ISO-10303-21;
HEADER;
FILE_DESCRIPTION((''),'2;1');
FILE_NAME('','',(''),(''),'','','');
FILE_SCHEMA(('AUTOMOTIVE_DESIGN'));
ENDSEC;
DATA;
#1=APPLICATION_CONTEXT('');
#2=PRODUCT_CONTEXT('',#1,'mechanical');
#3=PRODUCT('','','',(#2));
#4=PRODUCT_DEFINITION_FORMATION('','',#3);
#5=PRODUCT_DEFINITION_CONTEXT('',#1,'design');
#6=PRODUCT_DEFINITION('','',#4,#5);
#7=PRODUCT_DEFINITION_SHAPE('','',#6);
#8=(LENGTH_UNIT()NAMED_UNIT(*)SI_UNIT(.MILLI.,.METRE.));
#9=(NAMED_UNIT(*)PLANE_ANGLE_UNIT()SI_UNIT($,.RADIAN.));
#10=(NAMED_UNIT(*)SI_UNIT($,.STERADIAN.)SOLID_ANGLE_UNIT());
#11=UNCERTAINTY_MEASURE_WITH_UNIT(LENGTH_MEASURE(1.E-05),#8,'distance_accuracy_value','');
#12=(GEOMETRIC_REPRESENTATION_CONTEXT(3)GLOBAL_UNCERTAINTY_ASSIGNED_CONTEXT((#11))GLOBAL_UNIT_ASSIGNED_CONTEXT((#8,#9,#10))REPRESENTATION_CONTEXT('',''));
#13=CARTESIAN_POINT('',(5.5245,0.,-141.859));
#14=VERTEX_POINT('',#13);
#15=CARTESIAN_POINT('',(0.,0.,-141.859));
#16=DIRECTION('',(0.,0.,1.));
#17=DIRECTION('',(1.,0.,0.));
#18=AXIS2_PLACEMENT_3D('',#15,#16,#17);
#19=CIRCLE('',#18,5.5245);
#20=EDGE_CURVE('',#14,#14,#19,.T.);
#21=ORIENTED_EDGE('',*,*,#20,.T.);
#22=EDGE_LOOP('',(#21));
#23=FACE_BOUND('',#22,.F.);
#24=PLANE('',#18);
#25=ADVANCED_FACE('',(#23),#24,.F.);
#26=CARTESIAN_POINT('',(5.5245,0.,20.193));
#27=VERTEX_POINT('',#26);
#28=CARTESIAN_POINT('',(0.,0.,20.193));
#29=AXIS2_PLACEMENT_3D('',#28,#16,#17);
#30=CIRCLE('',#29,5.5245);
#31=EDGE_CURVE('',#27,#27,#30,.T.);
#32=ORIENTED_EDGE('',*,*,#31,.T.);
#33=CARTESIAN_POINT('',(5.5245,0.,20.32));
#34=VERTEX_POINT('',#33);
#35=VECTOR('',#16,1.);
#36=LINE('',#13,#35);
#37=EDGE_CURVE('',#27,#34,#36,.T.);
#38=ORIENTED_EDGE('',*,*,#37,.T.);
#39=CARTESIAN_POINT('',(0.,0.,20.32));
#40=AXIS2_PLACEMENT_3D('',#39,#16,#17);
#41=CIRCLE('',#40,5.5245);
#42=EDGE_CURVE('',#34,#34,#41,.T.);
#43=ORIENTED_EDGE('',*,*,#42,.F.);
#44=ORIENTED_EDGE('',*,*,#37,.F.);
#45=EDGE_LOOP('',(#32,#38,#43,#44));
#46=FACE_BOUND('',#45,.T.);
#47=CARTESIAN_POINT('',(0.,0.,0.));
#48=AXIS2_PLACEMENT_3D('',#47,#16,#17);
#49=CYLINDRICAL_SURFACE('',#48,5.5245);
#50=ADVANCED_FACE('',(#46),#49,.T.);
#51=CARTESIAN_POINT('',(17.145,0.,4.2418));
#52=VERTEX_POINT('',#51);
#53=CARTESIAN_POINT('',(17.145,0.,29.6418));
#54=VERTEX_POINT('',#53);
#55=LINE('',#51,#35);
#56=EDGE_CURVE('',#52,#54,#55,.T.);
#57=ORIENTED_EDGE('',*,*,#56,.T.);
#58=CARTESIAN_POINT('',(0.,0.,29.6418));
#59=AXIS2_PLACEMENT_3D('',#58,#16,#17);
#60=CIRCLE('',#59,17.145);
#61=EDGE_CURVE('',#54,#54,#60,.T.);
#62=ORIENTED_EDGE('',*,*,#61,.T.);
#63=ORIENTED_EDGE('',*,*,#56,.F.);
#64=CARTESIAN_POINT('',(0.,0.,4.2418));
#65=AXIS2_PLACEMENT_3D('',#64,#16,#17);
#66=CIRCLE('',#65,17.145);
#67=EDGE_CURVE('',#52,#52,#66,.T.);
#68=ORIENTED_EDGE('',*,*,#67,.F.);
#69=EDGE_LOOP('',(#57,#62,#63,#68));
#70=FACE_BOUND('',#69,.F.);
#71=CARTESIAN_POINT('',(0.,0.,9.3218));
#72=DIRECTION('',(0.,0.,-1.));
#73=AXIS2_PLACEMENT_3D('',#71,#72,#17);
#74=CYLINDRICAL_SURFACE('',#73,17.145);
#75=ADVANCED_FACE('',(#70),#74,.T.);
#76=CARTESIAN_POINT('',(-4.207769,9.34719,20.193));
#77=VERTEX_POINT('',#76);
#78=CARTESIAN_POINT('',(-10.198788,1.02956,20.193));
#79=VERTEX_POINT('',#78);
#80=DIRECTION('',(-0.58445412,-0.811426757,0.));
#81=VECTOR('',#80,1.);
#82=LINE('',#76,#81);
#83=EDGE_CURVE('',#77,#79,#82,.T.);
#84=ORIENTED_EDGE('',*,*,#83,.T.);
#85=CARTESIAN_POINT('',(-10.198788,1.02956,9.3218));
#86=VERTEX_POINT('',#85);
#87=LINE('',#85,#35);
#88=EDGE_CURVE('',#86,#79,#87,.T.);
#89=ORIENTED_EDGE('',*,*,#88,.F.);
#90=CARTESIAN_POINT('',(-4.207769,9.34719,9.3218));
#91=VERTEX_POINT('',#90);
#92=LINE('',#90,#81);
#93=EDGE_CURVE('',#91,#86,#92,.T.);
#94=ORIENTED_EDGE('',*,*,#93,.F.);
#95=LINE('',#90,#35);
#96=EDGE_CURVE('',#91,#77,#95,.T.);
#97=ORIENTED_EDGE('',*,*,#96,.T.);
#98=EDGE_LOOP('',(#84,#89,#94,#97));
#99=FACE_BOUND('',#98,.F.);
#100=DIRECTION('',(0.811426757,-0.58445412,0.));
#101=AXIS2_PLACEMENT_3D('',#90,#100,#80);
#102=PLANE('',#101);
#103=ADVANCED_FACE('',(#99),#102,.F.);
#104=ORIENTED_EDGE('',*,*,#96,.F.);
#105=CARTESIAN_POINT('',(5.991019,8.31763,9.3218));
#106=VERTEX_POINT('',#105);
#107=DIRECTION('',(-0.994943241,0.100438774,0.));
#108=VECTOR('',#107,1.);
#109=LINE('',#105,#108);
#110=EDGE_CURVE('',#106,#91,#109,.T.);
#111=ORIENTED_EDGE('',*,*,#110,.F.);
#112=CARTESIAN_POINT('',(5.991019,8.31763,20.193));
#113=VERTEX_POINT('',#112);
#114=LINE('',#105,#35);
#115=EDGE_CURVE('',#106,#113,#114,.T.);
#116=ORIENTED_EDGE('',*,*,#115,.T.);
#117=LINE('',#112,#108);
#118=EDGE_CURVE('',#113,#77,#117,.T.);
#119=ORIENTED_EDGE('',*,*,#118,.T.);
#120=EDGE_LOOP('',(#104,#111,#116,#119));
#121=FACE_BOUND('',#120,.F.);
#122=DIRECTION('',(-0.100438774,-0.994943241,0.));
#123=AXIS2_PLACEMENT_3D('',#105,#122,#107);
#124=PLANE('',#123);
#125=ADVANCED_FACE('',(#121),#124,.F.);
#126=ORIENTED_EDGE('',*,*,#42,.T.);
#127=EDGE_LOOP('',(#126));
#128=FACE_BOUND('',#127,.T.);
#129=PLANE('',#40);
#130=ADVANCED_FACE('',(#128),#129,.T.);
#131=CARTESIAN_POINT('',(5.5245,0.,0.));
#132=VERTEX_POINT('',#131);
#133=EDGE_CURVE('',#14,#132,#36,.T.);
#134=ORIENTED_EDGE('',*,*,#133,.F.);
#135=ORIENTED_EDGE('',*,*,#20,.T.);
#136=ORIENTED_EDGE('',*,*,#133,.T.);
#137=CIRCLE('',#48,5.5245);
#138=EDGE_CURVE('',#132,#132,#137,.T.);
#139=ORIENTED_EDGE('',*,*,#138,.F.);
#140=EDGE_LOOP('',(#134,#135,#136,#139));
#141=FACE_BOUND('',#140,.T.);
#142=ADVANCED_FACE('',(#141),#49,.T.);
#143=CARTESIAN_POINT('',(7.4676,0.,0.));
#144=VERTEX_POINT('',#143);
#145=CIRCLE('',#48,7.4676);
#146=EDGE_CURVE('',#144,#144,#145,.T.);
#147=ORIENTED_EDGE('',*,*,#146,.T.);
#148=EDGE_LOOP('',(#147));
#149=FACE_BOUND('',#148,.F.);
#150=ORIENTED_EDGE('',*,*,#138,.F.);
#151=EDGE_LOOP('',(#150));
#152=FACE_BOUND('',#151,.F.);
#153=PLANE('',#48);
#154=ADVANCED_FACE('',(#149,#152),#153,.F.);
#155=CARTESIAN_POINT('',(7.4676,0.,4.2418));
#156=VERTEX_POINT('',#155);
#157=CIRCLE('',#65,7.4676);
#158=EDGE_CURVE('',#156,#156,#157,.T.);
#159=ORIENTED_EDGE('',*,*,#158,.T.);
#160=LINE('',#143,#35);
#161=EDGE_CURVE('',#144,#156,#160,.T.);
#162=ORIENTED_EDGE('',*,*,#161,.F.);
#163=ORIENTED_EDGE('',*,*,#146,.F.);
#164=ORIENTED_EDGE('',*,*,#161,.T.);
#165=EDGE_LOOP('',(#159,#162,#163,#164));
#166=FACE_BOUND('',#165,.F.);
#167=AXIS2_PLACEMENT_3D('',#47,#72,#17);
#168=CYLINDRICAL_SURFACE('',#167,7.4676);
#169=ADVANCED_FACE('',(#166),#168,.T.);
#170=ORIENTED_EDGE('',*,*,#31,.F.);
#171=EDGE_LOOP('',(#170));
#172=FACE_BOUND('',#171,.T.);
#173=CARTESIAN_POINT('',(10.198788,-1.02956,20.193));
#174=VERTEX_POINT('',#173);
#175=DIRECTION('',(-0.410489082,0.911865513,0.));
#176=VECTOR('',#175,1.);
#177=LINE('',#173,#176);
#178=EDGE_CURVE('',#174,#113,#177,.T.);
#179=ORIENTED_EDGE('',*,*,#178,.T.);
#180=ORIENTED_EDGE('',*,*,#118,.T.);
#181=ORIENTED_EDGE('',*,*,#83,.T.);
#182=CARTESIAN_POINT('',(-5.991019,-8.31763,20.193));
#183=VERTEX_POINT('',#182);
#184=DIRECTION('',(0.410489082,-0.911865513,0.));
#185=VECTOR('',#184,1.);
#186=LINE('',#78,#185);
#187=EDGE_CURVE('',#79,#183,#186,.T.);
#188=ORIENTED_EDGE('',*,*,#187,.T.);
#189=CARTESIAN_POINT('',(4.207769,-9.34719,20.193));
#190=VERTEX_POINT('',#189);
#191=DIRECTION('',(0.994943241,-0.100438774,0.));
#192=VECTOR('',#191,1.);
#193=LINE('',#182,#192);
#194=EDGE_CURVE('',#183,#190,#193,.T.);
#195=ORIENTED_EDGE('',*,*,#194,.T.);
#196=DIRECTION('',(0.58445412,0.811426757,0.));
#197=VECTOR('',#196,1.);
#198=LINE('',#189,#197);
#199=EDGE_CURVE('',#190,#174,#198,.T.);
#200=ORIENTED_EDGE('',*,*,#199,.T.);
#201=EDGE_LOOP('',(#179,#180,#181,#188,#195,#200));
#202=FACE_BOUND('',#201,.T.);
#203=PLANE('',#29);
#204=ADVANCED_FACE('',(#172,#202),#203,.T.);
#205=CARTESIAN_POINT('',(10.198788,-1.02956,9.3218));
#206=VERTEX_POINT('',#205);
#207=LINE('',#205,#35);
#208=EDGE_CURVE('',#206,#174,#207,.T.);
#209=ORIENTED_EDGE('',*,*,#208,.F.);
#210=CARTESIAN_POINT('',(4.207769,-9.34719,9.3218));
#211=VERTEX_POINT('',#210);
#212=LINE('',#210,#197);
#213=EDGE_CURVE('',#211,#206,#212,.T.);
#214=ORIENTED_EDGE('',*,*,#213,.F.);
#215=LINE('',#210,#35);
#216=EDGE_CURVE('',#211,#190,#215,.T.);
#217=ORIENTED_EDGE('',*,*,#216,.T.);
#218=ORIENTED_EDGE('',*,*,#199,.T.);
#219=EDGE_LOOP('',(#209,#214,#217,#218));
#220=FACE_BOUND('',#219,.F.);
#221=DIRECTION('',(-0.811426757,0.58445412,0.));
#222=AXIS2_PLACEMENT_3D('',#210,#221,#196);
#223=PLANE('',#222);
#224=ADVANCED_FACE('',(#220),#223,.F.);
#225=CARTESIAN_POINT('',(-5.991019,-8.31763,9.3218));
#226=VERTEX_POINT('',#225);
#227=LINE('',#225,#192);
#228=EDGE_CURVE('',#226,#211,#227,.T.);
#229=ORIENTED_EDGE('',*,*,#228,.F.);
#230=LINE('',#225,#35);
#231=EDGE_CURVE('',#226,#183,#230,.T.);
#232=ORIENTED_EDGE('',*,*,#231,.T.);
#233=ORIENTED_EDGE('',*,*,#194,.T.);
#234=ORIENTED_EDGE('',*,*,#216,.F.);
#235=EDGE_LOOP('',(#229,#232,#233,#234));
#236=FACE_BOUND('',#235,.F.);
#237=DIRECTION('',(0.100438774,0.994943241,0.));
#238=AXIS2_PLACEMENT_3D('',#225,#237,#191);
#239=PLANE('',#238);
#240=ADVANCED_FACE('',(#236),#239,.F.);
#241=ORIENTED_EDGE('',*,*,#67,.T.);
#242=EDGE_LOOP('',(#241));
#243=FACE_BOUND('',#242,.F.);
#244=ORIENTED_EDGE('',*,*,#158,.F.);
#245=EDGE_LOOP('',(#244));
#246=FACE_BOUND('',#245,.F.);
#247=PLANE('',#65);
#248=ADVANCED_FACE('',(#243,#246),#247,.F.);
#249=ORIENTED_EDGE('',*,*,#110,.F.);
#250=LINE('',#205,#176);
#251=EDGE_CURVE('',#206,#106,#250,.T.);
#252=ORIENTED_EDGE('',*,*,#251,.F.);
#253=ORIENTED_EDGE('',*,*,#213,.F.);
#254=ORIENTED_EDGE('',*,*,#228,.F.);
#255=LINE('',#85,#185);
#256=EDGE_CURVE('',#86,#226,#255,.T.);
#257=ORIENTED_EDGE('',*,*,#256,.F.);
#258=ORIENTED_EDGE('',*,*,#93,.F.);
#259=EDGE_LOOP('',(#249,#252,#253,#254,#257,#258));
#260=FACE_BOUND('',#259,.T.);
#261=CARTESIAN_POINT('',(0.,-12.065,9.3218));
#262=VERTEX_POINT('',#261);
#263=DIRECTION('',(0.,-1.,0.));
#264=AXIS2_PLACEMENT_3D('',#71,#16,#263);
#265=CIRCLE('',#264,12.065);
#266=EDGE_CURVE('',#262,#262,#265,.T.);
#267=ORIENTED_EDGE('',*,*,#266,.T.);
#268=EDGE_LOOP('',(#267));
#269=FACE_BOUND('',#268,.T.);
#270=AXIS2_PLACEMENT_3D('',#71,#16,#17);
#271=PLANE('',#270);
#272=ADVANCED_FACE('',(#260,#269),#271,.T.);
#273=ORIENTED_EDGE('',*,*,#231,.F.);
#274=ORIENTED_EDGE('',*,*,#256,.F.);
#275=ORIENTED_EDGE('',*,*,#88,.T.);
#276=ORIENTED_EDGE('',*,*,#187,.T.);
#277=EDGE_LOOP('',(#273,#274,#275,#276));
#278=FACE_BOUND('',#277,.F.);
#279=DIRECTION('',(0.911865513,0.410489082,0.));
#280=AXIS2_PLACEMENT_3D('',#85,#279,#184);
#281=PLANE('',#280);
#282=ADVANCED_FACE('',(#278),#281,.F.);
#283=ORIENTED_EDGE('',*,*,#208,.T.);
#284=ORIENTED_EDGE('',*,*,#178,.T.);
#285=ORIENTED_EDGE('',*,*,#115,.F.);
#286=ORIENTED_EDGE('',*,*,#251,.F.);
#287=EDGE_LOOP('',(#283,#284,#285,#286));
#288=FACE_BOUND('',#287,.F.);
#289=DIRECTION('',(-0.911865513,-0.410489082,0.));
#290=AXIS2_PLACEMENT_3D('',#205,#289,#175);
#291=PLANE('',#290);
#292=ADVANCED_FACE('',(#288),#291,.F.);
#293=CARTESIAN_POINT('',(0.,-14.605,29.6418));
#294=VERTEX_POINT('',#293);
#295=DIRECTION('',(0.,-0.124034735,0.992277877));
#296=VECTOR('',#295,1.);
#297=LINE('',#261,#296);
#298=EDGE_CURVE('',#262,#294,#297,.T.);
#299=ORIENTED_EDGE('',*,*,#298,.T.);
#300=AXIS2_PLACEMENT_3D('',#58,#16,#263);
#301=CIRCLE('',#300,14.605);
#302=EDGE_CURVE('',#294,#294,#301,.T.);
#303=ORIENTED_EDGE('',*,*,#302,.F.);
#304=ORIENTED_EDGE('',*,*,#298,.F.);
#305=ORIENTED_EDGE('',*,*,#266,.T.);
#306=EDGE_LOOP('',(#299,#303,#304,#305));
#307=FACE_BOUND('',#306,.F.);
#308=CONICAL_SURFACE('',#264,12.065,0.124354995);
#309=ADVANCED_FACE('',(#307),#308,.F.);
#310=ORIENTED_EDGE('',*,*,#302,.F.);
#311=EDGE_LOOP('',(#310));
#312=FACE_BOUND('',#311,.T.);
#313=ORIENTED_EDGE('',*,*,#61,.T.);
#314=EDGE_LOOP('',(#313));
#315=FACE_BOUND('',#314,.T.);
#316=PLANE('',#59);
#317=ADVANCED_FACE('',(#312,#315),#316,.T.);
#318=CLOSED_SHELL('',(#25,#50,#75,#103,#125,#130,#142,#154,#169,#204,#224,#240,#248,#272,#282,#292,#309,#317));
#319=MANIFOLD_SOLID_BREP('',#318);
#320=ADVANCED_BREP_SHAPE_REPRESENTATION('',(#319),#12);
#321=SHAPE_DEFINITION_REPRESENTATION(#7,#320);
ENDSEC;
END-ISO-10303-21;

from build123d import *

# Parameters (mm, degrees)
F0_R          = 5.5245
F1_DEPTH      = 20.32
F1_DEPTH_BACK = 141.859
F2_R          = 7.4676
F2_R_2        = 5.5245
F3_DEPTH      = 4.2418
F4_R          = 17.145
F5_DEPTH      = 5.08
F7_DEPTH      = 10.8712
F8_R          = 17.145
F8_R_2        = 14.605
F9_DEPTH      = 20.32


with BuildPart() as f1:
    # F0 (on Top) → F1 (new body, two sides)
    with BuildSketch(Plane.XY) as f1_sk:
        Circle(F0_R)
    extrude(amount=F1_DEPTH)
    extrude(f1_sk.sketch, amount=-F1_DEPTH_BACK)

    # F2 (on Top) → F3 (join)
    with BuildSketch(Plane.XY):
        Circle(F2_R)
        Circle(F2_R_2, mode=Mode.SUBTRACT)
    extrude(amount=F3_DEPTH)

    # F4 (on face) → F5 (join)
    with BuildSketch(Plane.XY.offset(4.2418)):
        Circle(F4_R)
    extrude(amount=F5_DEPTH)

    # F6 (on face) → F7 (join)
    with BuildSketch(Plane.XY.offset(9.3218)):
        Polygon((4.207769, -9.34719), (10.198788, -1.02956), (5.991019, 8.31763), (-4.207769, 9.34719), (-10.198788, 1.02956), (-5.991019, -8.31763), align=None)
    extrude(amount=F7_DEPTH)

    # F8 (on face) → F9 (join)
    with BuildSketch(Plane.XY.offset(9.3218)):
        Circle(F8_R)
        Circle(F8_R_2, mode=Mode.SUBTRACT)
    extrude(amount=F9_DEPTH)

    # F10 (on Right) → F11 (revolve)
    with BuildSketch(Plane.YZ):
        Polygon((-14.605, 29.6418), (-14.605, 9.3218), (-12.065, 9.3218), align=None)
    revolve(axis=Axis((0, 0, 15.219002), (0, 0, 1)))


solid = f1.part
